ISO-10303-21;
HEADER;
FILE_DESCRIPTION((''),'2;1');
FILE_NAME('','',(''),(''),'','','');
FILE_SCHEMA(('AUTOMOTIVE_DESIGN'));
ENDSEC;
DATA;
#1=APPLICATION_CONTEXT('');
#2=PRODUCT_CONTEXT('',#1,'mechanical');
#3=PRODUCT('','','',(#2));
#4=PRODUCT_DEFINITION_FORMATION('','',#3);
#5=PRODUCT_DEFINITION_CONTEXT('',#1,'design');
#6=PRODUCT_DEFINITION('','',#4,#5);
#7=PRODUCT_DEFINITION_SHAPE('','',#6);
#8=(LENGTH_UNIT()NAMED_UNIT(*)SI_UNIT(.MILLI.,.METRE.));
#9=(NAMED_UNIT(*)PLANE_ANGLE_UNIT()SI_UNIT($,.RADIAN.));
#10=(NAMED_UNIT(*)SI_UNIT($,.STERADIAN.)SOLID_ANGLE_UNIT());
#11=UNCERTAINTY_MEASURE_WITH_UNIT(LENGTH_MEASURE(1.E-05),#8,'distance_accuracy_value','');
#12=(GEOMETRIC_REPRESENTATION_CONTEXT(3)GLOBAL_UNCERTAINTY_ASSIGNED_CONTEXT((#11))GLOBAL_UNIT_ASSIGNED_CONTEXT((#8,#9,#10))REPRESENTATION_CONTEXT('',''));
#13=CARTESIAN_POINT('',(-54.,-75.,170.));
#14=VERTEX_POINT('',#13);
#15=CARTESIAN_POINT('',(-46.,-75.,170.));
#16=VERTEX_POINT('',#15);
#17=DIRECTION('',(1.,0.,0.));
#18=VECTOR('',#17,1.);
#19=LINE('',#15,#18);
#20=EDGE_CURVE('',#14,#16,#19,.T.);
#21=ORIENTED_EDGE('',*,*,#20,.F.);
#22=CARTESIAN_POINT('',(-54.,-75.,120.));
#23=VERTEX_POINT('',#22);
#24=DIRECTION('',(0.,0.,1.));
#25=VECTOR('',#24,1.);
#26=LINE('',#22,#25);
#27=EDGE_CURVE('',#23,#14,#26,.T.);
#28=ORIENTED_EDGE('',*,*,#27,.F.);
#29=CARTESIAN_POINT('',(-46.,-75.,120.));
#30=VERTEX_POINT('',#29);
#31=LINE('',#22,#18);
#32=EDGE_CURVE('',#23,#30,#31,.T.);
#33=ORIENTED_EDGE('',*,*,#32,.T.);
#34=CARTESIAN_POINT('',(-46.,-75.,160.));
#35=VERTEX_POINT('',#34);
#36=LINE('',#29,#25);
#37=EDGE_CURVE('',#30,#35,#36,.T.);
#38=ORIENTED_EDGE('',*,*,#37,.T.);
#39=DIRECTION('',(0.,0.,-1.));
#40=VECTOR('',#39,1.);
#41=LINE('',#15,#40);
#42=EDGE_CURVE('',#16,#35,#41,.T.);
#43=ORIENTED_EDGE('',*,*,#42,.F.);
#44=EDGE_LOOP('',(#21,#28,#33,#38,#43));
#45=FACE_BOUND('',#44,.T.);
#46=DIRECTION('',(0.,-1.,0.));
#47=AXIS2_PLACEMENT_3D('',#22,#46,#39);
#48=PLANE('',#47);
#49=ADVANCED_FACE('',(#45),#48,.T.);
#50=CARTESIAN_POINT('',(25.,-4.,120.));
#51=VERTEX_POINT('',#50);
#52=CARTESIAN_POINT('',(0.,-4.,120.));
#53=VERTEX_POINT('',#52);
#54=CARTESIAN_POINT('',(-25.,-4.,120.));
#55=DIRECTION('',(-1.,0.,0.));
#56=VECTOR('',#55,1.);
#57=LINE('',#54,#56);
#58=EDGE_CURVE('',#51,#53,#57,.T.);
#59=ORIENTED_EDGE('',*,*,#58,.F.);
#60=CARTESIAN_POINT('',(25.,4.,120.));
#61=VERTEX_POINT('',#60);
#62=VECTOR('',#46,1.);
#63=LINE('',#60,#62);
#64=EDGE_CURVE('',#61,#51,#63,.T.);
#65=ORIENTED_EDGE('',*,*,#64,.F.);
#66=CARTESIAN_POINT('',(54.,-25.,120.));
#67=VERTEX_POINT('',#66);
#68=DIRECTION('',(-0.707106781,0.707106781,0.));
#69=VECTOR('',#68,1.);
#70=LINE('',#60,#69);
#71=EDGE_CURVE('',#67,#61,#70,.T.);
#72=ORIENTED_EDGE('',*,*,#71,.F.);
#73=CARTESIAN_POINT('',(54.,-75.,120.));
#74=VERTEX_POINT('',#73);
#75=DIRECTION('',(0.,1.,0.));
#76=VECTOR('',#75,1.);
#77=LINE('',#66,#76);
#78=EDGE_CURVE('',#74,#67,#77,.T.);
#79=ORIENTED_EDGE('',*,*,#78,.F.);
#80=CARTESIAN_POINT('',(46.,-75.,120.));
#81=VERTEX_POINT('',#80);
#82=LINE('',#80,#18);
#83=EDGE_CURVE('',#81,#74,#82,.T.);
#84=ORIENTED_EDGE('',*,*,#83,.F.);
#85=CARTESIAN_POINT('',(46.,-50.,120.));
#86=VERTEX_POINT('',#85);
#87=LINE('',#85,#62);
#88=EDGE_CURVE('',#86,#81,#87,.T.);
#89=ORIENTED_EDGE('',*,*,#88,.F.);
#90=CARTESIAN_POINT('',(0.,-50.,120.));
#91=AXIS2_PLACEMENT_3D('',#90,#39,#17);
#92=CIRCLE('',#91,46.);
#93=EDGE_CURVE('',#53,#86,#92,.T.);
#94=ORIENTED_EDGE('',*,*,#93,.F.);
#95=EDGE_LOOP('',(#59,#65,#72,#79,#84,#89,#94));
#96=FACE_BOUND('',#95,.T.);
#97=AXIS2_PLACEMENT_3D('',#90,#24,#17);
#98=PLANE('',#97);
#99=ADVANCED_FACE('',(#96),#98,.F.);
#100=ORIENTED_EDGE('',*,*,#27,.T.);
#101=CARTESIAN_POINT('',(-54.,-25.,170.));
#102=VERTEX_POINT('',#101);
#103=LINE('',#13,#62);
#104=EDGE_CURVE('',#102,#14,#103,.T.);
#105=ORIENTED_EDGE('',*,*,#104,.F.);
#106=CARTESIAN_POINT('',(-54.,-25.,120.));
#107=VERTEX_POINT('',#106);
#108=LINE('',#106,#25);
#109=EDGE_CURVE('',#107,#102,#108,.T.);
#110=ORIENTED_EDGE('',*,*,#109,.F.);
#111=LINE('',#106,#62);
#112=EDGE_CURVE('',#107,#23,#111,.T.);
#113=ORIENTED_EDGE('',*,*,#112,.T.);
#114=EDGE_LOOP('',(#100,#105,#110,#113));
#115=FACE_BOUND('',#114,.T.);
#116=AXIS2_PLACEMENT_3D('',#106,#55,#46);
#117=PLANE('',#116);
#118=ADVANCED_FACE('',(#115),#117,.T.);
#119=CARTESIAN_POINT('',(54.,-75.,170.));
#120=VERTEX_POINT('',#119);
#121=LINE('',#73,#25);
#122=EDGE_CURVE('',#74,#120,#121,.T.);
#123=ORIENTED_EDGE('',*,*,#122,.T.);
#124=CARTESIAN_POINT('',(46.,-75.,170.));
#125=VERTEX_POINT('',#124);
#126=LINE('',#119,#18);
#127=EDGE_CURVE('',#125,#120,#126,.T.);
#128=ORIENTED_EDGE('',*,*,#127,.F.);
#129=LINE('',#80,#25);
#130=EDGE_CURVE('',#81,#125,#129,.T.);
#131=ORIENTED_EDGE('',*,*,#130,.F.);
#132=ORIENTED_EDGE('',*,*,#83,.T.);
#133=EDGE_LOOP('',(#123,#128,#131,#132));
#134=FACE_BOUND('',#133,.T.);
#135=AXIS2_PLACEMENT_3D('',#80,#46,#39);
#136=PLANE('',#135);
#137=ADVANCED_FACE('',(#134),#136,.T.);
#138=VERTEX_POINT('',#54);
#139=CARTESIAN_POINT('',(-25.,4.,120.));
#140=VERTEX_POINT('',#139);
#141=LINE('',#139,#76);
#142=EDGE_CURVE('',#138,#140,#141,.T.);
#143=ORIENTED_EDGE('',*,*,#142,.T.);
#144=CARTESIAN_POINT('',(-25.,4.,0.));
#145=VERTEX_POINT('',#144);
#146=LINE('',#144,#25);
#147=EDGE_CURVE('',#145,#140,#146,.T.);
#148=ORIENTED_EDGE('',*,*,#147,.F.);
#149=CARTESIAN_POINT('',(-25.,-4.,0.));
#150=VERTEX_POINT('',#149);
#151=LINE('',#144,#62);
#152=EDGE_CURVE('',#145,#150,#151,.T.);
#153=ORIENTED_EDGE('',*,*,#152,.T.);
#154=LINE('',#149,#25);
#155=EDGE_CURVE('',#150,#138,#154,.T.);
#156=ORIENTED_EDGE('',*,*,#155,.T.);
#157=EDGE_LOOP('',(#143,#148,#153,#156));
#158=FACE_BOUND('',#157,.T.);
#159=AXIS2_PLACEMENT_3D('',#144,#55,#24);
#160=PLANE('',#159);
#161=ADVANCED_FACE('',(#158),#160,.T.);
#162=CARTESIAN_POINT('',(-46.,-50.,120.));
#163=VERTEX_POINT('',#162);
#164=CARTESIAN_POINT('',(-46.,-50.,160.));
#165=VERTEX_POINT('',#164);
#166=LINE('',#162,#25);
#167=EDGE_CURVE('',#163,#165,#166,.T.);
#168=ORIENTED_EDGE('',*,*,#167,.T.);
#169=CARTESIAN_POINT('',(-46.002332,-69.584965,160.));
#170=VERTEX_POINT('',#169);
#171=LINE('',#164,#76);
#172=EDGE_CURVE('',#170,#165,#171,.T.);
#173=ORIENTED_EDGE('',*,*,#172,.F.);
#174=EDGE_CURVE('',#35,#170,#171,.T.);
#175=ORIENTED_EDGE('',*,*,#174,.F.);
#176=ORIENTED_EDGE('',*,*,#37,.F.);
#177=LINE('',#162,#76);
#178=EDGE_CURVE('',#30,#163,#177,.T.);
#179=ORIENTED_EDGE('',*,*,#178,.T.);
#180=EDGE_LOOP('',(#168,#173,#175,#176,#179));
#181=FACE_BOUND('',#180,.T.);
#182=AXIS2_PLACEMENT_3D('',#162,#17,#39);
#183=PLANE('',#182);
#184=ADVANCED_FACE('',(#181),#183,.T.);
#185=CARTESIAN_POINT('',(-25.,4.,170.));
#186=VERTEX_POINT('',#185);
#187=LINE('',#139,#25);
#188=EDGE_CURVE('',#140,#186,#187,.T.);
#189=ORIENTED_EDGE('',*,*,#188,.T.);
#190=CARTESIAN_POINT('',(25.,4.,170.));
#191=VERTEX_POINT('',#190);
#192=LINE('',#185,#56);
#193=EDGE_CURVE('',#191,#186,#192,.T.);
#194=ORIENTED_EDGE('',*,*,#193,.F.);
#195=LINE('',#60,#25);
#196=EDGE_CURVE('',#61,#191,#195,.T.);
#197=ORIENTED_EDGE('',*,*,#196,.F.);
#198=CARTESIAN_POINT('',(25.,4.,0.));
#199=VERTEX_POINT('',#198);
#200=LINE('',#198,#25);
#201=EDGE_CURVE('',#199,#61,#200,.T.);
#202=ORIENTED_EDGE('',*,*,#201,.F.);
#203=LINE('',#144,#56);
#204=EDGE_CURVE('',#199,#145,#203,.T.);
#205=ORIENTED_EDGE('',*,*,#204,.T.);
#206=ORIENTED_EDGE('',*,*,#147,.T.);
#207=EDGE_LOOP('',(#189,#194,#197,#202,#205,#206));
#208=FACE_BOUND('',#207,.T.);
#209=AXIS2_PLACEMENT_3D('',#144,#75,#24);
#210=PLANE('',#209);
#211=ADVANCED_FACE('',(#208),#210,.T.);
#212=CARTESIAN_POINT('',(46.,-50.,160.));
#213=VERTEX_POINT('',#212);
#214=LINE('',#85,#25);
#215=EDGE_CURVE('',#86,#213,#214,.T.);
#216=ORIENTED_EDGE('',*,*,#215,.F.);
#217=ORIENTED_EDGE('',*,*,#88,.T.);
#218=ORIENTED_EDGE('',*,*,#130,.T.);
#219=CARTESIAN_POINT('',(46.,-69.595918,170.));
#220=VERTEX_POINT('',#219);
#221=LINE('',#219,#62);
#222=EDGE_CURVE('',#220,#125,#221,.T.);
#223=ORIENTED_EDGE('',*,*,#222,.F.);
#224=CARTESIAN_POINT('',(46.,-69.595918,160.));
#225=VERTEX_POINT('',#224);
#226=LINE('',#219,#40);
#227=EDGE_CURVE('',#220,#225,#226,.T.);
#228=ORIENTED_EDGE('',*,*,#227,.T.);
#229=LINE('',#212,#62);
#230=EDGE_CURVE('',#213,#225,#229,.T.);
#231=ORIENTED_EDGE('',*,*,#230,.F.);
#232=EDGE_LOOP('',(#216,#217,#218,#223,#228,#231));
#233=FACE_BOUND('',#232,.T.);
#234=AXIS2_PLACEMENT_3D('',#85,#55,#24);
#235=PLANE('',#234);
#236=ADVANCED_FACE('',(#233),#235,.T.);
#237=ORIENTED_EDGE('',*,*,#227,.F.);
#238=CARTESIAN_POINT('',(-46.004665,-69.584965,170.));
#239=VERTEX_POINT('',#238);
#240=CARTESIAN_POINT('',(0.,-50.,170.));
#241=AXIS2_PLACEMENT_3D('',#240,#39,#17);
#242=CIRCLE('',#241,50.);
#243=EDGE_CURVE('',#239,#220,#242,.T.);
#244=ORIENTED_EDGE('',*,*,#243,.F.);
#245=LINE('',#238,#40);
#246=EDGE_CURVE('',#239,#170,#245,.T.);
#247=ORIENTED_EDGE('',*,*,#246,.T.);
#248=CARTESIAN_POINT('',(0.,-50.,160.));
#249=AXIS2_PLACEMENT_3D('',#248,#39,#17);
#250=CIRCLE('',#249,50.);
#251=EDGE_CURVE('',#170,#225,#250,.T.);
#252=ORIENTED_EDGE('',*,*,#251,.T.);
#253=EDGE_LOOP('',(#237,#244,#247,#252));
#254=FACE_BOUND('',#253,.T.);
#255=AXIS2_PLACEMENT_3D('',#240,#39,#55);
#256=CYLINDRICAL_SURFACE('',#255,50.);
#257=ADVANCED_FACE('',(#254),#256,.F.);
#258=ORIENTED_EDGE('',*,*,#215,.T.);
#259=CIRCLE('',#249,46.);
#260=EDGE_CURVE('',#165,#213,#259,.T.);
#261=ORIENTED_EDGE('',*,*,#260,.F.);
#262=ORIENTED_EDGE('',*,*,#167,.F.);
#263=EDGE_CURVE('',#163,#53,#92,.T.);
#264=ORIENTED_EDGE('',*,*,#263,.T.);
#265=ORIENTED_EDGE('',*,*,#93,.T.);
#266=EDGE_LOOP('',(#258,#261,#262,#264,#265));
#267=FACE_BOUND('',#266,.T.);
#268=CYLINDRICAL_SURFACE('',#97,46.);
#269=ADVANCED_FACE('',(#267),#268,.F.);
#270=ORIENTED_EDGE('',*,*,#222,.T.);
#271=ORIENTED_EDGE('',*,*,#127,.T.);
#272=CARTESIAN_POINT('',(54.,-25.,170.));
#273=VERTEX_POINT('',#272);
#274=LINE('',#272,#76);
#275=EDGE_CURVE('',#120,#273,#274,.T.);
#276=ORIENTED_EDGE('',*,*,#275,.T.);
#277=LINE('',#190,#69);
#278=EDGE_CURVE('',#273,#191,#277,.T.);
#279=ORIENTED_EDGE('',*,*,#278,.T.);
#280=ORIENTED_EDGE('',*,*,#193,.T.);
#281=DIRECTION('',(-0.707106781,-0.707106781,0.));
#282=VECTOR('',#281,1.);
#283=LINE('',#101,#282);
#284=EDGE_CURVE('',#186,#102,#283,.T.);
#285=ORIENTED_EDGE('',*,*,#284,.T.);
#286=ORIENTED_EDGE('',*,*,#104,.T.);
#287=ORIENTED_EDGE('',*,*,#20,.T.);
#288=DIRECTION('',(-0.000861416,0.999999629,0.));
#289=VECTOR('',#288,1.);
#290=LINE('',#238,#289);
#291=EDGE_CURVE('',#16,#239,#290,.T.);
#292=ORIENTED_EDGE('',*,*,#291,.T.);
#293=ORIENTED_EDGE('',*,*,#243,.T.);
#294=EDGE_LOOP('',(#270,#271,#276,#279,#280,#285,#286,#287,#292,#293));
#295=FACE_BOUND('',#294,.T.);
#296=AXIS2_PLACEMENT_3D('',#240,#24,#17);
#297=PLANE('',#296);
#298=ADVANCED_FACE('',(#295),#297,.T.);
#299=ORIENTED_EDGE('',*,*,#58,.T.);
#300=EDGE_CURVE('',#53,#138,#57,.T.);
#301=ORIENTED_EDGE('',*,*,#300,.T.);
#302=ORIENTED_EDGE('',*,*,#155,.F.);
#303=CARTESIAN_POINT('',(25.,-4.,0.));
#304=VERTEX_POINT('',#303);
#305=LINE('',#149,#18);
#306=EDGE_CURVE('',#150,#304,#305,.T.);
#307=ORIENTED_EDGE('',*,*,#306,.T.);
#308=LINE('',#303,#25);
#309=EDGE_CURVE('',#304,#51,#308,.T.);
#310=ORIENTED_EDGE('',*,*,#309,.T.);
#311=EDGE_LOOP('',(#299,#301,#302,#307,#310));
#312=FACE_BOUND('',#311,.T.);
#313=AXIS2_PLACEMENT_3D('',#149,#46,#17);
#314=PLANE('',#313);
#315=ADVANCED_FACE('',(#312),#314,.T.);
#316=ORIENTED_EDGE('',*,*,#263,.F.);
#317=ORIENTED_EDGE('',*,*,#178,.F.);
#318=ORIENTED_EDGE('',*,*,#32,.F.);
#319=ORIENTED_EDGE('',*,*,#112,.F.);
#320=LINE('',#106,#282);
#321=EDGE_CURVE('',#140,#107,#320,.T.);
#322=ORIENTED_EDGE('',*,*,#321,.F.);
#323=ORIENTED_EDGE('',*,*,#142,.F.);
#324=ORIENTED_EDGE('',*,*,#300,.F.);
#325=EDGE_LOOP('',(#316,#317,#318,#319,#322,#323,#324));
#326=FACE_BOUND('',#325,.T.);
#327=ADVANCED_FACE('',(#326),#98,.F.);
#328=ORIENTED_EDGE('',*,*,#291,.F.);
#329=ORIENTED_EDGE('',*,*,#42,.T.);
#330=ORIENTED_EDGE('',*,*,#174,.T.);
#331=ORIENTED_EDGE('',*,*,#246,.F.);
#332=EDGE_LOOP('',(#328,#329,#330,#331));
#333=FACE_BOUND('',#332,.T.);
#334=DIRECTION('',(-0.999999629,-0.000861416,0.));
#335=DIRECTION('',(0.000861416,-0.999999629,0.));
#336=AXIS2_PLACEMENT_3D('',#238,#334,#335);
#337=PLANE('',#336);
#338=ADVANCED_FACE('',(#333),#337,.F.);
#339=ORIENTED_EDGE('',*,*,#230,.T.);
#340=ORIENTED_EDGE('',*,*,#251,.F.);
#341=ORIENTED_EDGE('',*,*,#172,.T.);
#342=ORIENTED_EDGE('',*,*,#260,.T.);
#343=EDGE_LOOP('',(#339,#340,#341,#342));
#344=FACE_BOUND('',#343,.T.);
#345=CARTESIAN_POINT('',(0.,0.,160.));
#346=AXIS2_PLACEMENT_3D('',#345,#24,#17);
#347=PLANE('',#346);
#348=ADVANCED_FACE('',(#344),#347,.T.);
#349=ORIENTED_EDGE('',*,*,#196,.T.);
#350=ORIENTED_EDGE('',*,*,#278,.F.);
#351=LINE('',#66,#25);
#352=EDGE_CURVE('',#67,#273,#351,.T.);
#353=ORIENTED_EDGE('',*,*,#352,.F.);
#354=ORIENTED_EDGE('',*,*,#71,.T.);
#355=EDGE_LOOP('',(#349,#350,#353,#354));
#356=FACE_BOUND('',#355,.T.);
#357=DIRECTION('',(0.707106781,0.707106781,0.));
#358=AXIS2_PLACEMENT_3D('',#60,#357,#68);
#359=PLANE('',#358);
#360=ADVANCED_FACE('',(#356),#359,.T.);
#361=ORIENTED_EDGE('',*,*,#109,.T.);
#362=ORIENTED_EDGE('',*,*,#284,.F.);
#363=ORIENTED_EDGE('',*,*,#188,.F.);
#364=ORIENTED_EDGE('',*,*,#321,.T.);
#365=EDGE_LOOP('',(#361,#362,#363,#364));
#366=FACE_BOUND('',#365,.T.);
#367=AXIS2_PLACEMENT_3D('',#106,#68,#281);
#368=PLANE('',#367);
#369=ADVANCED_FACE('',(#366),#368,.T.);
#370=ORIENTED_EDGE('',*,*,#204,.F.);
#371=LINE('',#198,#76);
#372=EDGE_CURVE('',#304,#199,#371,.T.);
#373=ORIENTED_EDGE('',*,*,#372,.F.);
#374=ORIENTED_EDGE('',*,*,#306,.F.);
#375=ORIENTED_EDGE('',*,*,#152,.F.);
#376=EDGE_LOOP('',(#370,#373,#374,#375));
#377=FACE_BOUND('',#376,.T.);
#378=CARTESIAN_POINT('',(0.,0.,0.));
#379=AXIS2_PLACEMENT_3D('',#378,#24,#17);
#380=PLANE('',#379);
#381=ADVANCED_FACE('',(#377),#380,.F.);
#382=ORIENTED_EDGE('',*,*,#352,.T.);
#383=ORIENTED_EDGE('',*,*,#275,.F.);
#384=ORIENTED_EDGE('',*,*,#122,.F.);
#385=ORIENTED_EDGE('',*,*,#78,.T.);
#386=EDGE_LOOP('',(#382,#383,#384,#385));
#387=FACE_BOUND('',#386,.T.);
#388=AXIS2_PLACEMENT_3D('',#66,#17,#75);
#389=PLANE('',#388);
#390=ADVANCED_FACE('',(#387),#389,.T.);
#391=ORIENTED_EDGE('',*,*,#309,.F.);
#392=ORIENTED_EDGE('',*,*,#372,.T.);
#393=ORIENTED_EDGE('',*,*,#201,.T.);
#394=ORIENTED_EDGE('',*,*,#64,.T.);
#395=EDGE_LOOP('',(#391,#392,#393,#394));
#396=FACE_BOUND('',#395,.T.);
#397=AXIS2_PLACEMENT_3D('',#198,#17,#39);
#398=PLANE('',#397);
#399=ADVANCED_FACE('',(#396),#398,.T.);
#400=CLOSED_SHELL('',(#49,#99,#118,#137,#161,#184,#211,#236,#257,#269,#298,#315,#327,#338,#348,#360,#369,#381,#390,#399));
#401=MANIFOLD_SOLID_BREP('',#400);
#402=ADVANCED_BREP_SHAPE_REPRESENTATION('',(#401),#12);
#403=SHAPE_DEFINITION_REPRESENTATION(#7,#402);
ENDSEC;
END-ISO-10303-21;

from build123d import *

# Parameters (mm, degrees)
SKETCH_1_W      = 50
SKETCH_1_H      = 8
EXTRUDE_1_DEPTH = 40
EXTRUDE_2_DEPTH = 10


with BuildPart() as part:
    # 扫描1: sweep along a path in 草图2
    with BuildLine(Plane(origin=(0, 0, 0), x_dir=(0, 0, -1), z_dir=(1, 0, 0))) as sweep_1_path:
        Line((0, 55.298323556), (-160, 55.298323556))
    # 草图1 → 扫描1 (sweep)
    with BuildSketch(Plane.XY):
        Rectangle(SKETCH_1_W, SKETCH_1_H)
    sweep(path=sweep_1_path.line)

    # 草图4 → 凸台-拉伸1 (add)
    with BuildSketch(Plane.XY.offset(160)):
        with BuildLine():
            Line((-54, -25), (-25, 4))
            Line((-25, 4), (25, 4))
            Line((25, 4), (54, -25))
            Line((54, -25), (54, -75))
            Line((54, -75), (46, -75))
            Line((46, -75), (46, -50))
            ThreePointArc((46, -50), (0, -4), (-46, -50))
            Line((-46, -50), (-46, -75))
            Line((-46, -75), (-54, -75))
            Line((-54, -75), (-54, -25))
        make_face()
    extrude(amount=-EXTRUDE_1_DEPTH)

    # 草图5 → 凸台-拉伸2 (add)
    with BuildSketch(Plane.XY.offset(160)):
        with BuildLine():
            Line((-46.0046646, -69.584964515), (-46, -75))
            Line((-46, -75), (-54, -75))
            Line((-54, -75), (-54, -25))
            Line((-54, -25), (-25, 4))
            Line((-25, 4), (25, 4))
            Line((25, 4), (54, -25))
            Line((54, -25), (54, -75))
            Line((54, -75), (46, -75))
            Line((46, -75), (46, -69.595917942))
            ThreePointArc((46, -69.595917942), (0.005952648, -3.54e-07), (-46.0046646, -69.584964515))
        make_face()
    extrude(amount=EXTRUDE_2_DEPTH)


solid = part.part
